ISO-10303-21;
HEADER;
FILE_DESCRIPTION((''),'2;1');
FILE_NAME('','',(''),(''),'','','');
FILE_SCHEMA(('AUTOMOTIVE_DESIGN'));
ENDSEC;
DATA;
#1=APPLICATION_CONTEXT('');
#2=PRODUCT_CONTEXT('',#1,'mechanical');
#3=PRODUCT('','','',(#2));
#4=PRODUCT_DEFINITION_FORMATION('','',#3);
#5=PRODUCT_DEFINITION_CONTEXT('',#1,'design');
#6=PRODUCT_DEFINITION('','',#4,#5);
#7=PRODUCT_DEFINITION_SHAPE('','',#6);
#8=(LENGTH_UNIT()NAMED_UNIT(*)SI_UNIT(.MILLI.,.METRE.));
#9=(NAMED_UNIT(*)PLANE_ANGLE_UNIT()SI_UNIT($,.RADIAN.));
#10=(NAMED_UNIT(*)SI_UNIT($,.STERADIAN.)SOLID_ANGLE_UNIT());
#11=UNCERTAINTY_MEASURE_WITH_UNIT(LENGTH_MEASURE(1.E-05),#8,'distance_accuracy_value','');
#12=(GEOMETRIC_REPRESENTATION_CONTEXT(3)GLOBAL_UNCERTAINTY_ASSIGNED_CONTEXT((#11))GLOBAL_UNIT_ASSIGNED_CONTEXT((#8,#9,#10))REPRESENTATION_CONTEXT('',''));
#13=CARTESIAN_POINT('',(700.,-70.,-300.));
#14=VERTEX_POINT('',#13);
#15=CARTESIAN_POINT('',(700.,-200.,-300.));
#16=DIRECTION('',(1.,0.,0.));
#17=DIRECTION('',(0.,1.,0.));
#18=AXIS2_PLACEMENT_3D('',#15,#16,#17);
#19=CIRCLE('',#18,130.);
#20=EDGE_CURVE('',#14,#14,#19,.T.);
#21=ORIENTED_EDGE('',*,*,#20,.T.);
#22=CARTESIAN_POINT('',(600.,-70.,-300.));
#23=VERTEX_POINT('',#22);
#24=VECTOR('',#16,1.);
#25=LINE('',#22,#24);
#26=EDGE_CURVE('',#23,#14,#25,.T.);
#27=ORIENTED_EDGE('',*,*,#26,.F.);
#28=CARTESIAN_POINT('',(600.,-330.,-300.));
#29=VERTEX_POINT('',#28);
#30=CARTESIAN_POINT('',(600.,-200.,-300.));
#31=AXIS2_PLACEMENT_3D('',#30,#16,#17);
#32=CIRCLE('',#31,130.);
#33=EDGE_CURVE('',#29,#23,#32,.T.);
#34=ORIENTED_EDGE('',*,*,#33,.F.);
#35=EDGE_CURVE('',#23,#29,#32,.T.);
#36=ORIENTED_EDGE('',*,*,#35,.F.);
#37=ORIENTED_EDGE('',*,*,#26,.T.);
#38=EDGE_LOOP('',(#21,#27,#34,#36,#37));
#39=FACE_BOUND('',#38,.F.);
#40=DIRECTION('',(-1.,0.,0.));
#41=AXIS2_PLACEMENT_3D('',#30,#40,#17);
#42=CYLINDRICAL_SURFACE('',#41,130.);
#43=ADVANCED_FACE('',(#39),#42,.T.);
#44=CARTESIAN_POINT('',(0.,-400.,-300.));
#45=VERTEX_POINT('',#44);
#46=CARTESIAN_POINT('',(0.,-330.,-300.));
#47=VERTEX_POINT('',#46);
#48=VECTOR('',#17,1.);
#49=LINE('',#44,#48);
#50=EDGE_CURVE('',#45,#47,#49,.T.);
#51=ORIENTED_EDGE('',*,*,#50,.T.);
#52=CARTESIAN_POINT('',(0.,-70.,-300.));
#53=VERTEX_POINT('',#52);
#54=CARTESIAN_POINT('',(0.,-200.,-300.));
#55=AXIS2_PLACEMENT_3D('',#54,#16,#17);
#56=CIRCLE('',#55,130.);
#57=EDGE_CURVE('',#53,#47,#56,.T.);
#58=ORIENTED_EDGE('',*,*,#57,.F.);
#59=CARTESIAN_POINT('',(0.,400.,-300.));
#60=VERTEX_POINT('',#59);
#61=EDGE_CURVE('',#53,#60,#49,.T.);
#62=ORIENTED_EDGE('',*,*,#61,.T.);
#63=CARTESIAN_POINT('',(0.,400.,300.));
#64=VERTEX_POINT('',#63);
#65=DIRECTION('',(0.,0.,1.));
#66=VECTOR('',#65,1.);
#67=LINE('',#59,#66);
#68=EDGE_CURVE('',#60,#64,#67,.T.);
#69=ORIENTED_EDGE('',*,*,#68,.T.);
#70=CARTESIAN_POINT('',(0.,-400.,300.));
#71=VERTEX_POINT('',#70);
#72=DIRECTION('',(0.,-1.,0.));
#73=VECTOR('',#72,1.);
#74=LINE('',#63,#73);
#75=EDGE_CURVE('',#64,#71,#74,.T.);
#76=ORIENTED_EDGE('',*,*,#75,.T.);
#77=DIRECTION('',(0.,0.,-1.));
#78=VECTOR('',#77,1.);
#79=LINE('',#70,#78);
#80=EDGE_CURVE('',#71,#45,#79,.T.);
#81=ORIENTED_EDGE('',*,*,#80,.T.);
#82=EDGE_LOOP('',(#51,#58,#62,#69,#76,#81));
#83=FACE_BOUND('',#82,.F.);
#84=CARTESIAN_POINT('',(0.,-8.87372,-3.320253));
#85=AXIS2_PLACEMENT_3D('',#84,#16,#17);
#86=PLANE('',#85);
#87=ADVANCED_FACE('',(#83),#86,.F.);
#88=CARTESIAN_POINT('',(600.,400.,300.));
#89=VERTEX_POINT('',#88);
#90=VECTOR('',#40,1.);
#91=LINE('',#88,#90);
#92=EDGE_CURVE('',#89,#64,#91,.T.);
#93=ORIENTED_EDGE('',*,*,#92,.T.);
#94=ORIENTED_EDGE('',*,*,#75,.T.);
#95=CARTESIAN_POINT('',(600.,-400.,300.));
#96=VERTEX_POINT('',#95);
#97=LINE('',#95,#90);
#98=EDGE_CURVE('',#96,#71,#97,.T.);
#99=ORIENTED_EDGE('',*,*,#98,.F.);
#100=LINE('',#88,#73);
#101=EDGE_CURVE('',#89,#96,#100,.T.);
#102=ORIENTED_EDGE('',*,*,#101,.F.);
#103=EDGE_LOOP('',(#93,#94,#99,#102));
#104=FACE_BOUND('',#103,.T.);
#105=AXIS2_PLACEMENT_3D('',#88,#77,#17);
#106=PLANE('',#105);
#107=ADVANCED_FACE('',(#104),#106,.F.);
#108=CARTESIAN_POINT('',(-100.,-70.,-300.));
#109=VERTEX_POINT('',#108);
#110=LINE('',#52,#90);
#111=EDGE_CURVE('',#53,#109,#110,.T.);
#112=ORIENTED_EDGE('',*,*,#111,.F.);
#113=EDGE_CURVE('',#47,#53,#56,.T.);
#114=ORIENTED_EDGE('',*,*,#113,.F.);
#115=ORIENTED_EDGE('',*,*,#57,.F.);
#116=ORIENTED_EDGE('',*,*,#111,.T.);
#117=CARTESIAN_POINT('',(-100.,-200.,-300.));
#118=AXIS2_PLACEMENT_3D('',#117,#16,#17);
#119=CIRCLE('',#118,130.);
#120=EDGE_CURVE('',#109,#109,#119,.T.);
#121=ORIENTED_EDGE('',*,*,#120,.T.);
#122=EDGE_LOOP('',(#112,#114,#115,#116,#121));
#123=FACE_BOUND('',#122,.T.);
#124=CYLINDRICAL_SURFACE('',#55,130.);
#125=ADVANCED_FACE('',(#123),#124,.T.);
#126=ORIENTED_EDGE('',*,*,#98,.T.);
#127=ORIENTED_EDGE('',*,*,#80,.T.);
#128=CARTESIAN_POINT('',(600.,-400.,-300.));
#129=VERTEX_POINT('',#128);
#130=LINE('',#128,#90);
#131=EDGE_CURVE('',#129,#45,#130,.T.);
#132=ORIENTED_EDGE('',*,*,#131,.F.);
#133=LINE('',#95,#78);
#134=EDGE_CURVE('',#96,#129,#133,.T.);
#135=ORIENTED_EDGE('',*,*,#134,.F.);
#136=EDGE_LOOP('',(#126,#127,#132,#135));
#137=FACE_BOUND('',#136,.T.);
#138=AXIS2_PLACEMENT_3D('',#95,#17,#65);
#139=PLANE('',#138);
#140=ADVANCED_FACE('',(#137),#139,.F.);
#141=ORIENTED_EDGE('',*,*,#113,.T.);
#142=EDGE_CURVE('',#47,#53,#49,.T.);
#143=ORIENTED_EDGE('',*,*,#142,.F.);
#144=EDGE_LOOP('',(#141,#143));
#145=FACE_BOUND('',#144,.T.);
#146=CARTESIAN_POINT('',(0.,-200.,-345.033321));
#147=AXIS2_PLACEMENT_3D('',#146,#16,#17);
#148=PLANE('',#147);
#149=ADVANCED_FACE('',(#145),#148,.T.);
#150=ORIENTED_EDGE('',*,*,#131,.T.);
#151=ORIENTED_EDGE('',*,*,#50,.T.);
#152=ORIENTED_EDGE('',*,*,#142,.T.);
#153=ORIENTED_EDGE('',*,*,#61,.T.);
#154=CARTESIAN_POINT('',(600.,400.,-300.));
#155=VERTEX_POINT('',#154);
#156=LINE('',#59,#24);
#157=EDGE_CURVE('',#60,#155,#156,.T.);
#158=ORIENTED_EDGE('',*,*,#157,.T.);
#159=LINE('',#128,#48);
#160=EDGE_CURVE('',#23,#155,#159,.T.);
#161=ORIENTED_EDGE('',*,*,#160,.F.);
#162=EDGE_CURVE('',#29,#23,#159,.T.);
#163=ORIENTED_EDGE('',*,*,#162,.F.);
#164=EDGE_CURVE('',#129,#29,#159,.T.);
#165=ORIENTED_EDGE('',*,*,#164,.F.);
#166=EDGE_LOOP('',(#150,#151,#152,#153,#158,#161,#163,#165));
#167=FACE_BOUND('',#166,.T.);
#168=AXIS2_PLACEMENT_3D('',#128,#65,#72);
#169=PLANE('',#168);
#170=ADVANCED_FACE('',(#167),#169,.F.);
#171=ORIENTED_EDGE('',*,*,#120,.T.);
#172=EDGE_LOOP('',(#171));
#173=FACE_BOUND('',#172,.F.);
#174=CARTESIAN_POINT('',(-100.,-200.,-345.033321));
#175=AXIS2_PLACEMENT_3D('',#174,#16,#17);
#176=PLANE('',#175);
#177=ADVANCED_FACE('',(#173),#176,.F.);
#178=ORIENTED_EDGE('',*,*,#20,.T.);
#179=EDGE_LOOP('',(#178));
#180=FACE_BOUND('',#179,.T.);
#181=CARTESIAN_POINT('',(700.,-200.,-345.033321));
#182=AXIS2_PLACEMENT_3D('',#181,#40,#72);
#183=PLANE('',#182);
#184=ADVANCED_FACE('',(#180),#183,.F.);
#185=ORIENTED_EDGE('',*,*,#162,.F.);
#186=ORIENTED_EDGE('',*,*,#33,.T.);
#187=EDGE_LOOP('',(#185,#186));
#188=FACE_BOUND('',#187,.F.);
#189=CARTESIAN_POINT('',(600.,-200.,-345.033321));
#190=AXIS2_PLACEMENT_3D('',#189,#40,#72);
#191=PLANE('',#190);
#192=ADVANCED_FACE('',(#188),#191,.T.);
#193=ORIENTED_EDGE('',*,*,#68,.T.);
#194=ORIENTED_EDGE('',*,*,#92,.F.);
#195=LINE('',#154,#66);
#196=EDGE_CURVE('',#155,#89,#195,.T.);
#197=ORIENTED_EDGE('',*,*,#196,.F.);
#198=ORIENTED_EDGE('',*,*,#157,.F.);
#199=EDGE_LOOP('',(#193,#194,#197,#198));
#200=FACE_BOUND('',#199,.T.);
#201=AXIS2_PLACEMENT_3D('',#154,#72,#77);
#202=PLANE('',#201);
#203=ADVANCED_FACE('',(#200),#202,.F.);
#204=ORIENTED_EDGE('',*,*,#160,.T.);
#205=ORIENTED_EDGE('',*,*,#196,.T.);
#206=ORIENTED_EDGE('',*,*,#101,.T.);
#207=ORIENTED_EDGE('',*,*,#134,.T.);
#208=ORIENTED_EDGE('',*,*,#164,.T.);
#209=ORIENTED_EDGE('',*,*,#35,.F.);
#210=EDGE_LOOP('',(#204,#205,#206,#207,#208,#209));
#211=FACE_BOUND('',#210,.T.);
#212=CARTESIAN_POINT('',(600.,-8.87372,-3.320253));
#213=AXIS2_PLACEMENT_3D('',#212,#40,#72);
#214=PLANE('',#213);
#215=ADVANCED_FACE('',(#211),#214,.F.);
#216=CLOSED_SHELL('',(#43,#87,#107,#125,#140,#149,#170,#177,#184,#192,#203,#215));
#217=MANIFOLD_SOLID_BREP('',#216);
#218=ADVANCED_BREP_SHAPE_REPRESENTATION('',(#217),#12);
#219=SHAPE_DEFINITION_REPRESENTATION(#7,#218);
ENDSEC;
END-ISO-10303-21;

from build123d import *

# Parameters (mm, degrees)
F3_DEPTH = 560
F4_DEPTH = 100


with BuildPart() as f3:
    # F2 (on Right) → F3 (new body)
    with BuildSketch(Plane.YZ):
        with BuildLine():
            Line((-70, -300), (400, -300))
            Line((400, -300), (400, 300))
            Line((400, 300), (-400, 300))
            Line((-400, 300), (-400, -300))
            Line((-400, -300), (-330, -300))
            ThreePointArc((-330, -300), (-200, -170), (-70, -300))
        make_face()
        with BuildLine():
            Line((-330, -300), (-70, -300))
            ThreePointArc((-70, -300), (-200, -170), (-330, -300))
        make_face()
    extrude(amount=F3_DEPTH)

    # F2 (on Right) → F4 (join)
    with BuildSketch(Plane.YZ):
        with BuildLine():
            ThreePointArc((-330, -300), (-200, -430), (-70, -300))
            Line((-70, -300), (-330, -300))
        make_face()
        with BuildLine():
            Line((-330, -300), (-70, -300))
            ThreePointArc((-70, -300), (-200, -170), (-330, -300))
        make_face()
    extrude(amount=-F4_DEPTH)

    # F6: F3 across plane


with BuildPart() as f3_1:
    add(f3.part)
    add(f3.part.mirror(Plane(origin=(300, 11.7085678948, 14.3328259835), x_dir=(0, 1, 0), z_dir=(-1, 0, 0))))


solid = f3_1.part
